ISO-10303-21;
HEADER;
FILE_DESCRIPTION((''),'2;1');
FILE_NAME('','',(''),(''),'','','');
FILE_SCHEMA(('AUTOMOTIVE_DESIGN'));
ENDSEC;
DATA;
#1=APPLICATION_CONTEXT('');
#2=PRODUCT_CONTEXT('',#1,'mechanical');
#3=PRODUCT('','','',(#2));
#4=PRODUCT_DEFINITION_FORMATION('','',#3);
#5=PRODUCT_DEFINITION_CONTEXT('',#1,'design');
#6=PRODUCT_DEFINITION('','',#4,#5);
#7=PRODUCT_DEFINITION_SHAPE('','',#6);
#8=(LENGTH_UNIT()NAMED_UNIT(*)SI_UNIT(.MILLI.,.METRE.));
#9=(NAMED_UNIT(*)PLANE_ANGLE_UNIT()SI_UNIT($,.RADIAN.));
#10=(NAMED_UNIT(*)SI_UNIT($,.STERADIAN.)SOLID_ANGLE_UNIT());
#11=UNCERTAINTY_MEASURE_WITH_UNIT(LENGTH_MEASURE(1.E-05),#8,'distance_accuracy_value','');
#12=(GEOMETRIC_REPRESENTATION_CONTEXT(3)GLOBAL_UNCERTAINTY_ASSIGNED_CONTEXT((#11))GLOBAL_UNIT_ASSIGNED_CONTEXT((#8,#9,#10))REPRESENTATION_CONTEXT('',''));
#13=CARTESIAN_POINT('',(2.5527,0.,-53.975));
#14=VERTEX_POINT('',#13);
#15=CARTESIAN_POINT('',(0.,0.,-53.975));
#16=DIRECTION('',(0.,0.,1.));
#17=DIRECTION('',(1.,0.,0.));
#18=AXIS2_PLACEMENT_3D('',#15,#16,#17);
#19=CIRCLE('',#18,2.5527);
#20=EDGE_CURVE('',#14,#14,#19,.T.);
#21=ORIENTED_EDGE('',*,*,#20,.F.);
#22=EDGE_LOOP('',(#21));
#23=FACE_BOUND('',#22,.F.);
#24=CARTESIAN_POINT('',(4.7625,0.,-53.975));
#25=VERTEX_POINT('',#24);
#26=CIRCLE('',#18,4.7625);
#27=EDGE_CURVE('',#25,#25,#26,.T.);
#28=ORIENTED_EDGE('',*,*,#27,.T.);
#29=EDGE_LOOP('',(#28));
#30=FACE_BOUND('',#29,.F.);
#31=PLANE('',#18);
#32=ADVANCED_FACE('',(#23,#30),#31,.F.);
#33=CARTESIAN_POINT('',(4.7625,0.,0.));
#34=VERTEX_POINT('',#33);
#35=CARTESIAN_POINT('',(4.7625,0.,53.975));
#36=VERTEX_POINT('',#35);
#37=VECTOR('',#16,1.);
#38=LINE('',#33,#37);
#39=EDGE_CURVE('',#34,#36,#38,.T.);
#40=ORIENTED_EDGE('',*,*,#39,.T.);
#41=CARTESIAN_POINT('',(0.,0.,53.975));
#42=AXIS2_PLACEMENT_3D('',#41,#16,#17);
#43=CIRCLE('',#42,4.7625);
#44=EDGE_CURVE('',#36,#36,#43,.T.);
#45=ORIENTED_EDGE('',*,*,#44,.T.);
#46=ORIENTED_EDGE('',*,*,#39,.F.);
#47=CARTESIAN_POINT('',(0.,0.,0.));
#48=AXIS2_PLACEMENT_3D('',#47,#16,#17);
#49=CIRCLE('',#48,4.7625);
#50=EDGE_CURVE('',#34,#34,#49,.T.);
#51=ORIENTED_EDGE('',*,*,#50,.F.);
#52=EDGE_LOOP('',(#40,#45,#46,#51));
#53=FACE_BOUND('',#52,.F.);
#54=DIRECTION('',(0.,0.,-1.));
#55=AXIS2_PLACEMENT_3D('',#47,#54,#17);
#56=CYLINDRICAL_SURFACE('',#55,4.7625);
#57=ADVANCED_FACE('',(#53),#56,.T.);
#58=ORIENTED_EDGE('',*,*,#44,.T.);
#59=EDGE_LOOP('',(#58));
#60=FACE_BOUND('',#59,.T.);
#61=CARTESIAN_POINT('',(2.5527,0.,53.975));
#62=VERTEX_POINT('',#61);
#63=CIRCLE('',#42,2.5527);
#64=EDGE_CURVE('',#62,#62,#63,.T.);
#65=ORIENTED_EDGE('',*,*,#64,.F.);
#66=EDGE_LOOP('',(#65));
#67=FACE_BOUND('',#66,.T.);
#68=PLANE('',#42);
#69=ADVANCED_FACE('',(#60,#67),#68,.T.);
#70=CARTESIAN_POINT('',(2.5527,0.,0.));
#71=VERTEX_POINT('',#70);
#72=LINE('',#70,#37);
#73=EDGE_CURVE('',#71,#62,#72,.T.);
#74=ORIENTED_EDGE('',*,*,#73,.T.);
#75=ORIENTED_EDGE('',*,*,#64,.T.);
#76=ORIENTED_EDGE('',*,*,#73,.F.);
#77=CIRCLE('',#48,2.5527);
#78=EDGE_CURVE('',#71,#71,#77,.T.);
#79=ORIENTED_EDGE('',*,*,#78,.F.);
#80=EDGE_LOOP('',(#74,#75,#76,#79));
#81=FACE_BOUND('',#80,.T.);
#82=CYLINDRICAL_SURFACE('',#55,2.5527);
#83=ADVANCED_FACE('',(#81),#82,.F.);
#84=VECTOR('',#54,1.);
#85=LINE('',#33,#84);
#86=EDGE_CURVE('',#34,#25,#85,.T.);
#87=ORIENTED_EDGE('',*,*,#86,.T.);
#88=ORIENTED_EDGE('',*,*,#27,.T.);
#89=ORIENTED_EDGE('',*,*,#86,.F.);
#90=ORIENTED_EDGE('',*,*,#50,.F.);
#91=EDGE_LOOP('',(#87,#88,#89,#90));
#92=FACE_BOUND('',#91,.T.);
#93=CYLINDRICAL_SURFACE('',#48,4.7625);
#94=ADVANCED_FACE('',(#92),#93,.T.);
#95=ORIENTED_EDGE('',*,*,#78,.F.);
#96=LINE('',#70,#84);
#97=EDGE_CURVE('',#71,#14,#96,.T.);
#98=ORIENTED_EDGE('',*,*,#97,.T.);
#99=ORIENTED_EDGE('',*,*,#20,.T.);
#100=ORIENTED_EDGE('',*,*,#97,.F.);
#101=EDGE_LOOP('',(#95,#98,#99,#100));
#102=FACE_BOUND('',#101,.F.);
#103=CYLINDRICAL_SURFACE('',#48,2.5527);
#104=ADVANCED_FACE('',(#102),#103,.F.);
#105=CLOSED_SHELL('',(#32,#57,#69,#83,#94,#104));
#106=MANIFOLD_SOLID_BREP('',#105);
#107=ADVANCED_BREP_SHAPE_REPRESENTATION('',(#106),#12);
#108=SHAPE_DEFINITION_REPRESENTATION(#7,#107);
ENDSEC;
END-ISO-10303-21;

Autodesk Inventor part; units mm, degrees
ref_plane "YZ Plane" through (0, 0, 0) normal (1, 0, 0) x (0, 1, 0)
ref_plane "XZ Plane" through (0, 0, 0) normal (0, 1, 0) x (-1, 0, 0)
ref_plane "XY Plane" through (0, 0, 0) normal (0, 0, 1) x (1, 0, 0)
sketch "Sketch1" plane through (0, 0, 0) normal (0, 0, 1) x (1, 0, 0)
  circle A0 centre (0, 0) radius 4.7625
  circle A1 centre (0, 0) radius 2.5527
  dimension "d0" = 9.525
  dimension "d1" = 5.1054
extrude "Extrusion1" add sketch "Sketch1" along normal mid plane 107.95
properties part number "Elevator Custom Spacer" material "Aluminum 6061"
